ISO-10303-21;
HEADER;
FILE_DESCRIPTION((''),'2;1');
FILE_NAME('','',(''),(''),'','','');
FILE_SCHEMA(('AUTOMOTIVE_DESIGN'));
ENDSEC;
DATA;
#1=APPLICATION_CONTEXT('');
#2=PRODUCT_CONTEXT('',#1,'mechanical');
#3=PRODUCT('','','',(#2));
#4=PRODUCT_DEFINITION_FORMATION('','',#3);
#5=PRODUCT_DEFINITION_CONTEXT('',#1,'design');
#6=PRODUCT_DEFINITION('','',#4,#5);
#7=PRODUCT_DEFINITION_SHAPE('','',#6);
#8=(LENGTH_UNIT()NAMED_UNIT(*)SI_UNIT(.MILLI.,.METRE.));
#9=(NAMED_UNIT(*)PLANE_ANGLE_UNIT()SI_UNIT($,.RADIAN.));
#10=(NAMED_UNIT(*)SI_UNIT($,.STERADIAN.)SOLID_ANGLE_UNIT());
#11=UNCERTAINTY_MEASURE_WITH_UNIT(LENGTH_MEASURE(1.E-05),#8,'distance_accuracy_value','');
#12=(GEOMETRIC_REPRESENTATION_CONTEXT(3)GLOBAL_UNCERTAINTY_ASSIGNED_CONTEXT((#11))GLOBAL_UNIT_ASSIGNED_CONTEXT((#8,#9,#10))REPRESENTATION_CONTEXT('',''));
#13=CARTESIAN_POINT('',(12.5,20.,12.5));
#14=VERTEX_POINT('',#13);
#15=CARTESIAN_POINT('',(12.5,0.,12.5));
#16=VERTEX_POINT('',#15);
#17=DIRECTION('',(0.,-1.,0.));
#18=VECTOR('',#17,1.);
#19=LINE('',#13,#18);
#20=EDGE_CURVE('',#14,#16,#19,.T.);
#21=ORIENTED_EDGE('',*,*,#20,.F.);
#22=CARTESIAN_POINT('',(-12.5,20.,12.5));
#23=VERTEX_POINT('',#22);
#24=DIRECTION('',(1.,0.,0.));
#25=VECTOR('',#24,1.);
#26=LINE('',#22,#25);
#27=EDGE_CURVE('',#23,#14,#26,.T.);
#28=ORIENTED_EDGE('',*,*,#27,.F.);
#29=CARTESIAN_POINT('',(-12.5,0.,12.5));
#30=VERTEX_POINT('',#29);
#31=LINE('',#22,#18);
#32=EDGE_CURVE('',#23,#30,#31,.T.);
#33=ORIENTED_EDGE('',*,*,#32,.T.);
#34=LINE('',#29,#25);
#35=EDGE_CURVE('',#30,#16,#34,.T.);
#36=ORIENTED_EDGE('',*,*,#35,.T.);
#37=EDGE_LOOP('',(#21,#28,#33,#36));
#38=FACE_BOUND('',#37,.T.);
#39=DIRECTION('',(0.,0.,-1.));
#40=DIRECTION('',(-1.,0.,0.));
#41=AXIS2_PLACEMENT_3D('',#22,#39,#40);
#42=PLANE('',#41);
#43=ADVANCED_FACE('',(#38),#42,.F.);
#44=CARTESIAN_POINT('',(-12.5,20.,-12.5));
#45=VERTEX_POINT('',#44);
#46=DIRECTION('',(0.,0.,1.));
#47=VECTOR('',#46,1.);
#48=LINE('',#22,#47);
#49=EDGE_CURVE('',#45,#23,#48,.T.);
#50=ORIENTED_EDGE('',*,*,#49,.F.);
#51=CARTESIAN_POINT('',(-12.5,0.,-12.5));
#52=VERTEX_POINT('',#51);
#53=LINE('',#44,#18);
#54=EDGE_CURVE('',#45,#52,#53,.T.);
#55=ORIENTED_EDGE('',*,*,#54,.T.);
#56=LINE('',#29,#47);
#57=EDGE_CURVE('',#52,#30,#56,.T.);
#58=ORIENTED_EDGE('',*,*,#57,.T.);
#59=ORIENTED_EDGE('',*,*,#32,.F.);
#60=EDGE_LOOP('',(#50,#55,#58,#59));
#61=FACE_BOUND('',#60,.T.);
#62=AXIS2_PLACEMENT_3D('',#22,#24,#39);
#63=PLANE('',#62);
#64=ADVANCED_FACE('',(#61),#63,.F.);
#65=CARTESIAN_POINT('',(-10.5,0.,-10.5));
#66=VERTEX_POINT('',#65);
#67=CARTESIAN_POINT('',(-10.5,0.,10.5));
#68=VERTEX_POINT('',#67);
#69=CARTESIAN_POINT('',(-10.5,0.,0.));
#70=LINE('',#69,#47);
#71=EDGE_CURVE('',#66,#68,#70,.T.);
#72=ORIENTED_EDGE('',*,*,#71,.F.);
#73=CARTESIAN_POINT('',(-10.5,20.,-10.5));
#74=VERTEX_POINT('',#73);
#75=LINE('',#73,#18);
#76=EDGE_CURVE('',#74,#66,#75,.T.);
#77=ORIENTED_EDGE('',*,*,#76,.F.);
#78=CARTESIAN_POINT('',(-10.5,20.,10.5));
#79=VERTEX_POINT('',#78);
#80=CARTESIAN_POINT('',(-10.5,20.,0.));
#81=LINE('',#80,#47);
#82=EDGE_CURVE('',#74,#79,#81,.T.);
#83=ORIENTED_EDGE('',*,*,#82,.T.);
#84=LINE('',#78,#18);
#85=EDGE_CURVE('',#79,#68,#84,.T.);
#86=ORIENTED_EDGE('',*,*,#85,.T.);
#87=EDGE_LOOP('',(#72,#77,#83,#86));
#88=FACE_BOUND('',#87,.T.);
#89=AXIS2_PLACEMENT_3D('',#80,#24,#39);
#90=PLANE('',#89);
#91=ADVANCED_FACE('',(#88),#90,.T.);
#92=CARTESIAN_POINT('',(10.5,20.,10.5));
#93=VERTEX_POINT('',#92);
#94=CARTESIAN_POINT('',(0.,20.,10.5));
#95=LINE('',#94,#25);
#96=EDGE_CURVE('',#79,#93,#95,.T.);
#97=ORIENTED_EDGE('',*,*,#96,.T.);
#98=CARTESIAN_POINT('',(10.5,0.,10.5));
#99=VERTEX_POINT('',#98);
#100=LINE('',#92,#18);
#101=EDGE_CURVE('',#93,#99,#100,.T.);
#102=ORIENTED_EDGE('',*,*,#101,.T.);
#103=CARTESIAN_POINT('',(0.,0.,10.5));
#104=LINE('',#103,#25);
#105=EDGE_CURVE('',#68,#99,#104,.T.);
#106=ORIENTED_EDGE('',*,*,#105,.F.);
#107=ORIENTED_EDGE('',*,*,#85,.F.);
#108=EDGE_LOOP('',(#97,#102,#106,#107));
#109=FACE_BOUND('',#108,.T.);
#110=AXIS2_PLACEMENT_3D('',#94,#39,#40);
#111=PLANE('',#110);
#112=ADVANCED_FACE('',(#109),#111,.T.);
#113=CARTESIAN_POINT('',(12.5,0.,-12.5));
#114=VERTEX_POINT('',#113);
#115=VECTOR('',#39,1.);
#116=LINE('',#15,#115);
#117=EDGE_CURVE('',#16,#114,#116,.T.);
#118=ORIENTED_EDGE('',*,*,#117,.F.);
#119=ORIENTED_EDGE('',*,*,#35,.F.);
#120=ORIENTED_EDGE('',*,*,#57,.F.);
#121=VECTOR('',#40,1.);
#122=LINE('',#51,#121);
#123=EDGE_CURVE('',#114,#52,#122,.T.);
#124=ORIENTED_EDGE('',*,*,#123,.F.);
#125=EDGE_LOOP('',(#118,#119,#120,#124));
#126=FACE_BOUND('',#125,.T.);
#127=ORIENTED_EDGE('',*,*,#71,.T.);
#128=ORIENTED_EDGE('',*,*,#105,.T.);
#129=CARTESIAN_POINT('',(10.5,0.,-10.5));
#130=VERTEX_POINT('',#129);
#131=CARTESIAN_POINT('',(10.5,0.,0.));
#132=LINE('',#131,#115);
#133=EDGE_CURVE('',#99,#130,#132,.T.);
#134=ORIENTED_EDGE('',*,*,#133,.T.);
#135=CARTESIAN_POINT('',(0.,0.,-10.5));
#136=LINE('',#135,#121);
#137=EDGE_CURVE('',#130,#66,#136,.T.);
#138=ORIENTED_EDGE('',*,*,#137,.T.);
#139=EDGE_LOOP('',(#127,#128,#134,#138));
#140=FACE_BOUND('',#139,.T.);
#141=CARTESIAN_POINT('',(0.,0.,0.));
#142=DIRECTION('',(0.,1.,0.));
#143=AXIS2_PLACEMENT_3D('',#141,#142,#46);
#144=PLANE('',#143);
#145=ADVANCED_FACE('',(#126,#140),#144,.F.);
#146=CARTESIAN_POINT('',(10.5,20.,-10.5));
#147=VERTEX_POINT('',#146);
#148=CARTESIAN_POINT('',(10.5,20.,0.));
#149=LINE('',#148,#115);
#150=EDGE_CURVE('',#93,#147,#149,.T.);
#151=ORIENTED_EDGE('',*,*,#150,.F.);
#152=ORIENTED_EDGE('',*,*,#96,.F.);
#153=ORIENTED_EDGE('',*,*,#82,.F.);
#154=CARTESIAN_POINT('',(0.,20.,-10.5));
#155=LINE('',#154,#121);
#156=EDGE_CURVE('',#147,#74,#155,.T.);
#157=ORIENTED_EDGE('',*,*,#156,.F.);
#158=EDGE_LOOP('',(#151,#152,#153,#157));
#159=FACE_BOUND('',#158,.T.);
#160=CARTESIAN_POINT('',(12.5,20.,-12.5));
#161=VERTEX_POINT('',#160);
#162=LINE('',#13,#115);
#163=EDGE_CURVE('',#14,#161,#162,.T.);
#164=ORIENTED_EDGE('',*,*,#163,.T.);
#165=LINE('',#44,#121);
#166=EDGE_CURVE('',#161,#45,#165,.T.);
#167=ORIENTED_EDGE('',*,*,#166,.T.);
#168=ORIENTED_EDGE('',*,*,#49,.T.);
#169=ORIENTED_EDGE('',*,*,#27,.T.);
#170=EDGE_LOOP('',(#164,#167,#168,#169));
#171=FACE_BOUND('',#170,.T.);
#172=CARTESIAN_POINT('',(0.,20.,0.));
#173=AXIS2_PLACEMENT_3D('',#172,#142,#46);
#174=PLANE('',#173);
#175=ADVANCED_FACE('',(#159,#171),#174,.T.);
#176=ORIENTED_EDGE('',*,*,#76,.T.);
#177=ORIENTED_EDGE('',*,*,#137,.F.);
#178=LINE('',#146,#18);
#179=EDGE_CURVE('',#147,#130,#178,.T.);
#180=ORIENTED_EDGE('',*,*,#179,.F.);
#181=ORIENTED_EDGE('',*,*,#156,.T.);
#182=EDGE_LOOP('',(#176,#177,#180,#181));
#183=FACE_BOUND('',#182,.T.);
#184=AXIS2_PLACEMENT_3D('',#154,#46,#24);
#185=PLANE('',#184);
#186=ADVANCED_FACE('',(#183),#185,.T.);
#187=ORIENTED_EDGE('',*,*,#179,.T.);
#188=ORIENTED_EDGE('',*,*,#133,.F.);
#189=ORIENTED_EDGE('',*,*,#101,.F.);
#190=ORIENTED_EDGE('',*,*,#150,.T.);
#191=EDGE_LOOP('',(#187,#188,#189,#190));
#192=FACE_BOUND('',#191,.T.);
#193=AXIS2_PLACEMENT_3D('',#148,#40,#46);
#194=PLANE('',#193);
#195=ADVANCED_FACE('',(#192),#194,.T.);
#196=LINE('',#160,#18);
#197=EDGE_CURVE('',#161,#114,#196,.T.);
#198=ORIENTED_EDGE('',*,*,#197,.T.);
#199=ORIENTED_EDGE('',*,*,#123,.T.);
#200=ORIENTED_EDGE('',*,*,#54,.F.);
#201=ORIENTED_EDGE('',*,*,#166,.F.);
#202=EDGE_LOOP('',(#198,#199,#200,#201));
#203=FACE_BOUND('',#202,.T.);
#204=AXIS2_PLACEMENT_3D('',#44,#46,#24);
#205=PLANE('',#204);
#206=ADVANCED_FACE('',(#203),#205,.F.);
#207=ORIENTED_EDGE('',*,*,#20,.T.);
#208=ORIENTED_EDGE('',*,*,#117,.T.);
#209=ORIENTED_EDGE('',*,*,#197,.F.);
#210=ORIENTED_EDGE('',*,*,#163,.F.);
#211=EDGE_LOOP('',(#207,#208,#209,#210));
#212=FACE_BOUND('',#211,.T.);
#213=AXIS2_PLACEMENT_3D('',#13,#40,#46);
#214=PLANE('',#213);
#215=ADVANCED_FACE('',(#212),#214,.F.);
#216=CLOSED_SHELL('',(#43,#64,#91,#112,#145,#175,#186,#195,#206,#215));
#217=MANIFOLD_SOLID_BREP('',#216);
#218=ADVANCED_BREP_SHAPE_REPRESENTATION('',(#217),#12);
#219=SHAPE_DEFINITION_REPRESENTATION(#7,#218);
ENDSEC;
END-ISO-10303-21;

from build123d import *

# Parameters (mm, degrees)
SKETCH_1_W      = 25
SKETCH_1_H      = 25
SKETCH_1_W_2    = 21
SKETCH_1_H_2    = 21
EXTRUDE_1_DEPTH = 20


with BuildPart() as part:
    # Эскиз1 → Вытянуть-Тонкостенный1 (new body)
    with BuildSketch(Plane(origin=(0, 0, 0), x_dir=(1, 0, 0), z_dir=(0, 1, 0))):
        Rectangle(SKETCH_1_W, SKETCH_1_H)
        Rectangle(SKETCH_1_W_2, SKETCH_1_H_2, mode=Mode.SUBTRACT)
    extrude(amount=EXTRUDE_1_DEPTH)


solid = part.part
